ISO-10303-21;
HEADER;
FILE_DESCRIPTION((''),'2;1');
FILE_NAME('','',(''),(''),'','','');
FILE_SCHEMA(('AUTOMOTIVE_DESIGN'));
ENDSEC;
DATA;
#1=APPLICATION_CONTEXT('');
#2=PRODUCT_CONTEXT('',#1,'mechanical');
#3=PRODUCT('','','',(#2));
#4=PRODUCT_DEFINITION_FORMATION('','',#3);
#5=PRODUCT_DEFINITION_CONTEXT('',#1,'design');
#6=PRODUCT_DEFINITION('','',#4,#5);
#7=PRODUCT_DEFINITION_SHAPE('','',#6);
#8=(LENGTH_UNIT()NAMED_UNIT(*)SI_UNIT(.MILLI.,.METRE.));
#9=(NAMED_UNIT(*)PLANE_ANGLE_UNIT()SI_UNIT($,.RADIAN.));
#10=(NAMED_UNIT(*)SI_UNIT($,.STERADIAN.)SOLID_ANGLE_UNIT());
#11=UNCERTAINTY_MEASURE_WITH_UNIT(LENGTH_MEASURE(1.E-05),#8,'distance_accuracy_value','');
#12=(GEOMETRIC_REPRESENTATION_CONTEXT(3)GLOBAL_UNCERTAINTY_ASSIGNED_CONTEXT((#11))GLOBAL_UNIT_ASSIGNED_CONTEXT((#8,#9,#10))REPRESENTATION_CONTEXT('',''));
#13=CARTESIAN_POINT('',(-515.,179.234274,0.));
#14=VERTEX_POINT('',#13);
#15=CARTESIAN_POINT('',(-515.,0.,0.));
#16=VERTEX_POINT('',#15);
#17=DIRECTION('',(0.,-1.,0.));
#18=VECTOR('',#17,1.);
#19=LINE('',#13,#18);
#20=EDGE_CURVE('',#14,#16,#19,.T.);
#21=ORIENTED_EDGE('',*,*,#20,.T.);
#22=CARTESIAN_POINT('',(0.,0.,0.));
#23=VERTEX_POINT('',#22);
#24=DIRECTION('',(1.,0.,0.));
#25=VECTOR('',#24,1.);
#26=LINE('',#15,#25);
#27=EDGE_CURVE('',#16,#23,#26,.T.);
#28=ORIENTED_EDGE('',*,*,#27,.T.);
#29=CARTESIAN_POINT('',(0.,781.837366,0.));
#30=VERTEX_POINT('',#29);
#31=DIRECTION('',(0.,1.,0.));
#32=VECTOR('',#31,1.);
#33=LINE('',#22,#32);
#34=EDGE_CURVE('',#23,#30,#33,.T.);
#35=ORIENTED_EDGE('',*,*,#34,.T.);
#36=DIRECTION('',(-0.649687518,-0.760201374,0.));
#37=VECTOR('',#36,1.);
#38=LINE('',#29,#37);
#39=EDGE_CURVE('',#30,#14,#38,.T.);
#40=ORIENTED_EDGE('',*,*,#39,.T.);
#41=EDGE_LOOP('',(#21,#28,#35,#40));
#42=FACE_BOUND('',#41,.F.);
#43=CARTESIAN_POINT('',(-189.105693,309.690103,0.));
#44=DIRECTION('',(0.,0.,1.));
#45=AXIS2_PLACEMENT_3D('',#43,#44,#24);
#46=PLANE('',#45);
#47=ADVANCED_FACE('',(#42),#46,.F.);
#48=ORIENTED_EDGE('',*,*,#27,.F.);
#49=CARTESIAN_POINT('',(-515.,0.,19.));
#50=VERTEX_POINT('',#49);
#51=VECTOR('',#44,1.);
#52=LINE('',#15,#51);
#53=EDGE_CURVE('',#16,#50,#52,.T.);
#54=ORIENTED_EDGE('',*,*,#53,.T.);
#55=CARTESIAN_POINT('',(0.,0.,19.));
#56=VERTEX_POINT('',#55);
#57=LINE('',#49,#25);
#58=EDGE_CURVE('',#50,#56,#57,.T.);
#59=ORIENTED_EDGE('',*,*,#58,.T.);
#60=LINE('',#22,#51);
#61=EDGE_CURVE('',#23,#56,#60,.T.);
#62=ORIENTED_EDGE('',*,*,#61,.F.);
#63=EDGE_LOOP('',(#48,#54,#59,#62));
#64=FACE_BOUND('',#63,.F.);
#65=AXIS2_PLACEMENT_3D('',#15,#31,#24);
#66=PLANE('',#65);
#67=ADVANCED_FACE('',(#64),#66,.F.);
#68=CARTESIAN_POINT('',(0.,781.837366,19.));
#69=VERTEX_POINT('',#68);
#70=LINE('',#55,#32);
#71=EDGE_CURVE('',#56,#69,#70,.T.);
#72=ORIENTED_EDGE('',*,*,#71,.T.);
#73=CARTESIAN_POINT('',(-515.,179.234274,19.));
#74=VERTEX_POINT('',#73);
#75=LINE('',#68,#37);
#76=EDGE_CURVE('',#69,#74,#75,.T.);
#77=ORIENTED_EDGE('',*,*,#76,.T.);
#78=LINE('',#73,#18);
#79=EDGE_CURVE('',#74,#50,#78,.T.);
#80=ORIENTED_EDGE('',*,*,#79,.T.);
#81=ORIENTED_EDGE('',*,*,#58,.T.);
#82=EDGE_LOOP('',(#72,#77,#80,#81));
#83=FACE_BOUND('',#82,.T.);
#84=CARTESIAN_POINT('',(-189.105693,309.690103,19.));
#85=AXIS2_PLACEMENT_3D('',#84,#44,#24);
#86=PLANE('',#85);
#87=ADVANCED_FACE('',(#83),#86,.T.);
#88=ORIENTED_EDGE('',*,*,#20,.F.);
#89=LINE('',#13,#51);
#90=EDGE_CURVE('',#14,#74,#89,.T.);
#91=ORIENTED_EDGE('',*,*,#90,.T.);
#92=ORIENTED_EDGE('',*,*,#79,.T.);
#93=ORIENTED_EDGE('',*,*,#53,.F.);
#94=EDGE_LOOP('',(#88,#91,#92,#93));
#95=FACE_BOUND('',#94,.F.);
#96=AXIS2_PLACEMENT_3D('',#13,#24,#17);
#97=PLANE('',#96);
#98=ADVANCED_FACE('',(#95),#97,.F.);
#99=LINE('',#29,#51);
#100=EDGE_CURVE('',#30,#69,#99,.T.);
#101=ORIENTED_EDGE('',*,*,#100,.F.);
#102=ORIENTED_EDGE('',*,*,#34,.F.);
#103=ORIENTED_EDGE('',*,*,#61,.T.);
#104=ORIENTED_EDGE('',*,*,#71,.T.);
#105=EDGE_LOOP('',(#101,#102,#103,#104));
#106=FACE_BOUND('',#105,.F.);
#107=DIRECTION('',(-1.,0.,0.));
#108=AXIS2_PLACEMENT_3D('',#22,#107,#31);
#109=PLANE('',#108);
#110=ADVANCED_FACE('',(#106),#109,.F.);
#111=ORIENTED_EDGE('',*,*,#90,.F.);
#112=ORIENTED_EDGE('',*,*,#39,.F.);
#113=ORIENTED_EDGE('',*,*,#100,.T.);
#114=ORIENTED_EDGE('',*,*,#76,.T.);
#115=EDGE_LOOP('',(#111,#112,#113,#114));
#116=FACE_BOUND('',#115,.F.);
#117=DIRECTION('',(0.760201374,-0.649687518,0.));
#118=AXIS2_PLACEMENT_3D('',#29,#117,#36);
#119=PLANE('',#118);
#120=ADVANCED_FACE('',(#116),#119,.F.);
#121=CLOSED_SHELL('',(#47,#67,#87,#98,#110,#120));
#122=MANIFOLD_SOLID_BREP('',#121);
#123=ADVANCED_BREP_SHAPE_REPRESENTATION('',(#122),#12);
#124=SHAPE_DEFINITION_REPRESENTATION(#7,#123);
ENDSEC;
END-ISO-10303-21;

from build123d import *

# Parameters (mm, degrees)
PAD_DEPTH = 19


with BuildPart() as part:
    # Sketch → Pad (new body)
    with BuildSketch(Plane.XY):
        Polygon((0, 0), (0, 781.837366), (-515, 179.234274), (-515, 0), align=None)
    extrude(amount=PAD_DEPTH)


solid = part.part
